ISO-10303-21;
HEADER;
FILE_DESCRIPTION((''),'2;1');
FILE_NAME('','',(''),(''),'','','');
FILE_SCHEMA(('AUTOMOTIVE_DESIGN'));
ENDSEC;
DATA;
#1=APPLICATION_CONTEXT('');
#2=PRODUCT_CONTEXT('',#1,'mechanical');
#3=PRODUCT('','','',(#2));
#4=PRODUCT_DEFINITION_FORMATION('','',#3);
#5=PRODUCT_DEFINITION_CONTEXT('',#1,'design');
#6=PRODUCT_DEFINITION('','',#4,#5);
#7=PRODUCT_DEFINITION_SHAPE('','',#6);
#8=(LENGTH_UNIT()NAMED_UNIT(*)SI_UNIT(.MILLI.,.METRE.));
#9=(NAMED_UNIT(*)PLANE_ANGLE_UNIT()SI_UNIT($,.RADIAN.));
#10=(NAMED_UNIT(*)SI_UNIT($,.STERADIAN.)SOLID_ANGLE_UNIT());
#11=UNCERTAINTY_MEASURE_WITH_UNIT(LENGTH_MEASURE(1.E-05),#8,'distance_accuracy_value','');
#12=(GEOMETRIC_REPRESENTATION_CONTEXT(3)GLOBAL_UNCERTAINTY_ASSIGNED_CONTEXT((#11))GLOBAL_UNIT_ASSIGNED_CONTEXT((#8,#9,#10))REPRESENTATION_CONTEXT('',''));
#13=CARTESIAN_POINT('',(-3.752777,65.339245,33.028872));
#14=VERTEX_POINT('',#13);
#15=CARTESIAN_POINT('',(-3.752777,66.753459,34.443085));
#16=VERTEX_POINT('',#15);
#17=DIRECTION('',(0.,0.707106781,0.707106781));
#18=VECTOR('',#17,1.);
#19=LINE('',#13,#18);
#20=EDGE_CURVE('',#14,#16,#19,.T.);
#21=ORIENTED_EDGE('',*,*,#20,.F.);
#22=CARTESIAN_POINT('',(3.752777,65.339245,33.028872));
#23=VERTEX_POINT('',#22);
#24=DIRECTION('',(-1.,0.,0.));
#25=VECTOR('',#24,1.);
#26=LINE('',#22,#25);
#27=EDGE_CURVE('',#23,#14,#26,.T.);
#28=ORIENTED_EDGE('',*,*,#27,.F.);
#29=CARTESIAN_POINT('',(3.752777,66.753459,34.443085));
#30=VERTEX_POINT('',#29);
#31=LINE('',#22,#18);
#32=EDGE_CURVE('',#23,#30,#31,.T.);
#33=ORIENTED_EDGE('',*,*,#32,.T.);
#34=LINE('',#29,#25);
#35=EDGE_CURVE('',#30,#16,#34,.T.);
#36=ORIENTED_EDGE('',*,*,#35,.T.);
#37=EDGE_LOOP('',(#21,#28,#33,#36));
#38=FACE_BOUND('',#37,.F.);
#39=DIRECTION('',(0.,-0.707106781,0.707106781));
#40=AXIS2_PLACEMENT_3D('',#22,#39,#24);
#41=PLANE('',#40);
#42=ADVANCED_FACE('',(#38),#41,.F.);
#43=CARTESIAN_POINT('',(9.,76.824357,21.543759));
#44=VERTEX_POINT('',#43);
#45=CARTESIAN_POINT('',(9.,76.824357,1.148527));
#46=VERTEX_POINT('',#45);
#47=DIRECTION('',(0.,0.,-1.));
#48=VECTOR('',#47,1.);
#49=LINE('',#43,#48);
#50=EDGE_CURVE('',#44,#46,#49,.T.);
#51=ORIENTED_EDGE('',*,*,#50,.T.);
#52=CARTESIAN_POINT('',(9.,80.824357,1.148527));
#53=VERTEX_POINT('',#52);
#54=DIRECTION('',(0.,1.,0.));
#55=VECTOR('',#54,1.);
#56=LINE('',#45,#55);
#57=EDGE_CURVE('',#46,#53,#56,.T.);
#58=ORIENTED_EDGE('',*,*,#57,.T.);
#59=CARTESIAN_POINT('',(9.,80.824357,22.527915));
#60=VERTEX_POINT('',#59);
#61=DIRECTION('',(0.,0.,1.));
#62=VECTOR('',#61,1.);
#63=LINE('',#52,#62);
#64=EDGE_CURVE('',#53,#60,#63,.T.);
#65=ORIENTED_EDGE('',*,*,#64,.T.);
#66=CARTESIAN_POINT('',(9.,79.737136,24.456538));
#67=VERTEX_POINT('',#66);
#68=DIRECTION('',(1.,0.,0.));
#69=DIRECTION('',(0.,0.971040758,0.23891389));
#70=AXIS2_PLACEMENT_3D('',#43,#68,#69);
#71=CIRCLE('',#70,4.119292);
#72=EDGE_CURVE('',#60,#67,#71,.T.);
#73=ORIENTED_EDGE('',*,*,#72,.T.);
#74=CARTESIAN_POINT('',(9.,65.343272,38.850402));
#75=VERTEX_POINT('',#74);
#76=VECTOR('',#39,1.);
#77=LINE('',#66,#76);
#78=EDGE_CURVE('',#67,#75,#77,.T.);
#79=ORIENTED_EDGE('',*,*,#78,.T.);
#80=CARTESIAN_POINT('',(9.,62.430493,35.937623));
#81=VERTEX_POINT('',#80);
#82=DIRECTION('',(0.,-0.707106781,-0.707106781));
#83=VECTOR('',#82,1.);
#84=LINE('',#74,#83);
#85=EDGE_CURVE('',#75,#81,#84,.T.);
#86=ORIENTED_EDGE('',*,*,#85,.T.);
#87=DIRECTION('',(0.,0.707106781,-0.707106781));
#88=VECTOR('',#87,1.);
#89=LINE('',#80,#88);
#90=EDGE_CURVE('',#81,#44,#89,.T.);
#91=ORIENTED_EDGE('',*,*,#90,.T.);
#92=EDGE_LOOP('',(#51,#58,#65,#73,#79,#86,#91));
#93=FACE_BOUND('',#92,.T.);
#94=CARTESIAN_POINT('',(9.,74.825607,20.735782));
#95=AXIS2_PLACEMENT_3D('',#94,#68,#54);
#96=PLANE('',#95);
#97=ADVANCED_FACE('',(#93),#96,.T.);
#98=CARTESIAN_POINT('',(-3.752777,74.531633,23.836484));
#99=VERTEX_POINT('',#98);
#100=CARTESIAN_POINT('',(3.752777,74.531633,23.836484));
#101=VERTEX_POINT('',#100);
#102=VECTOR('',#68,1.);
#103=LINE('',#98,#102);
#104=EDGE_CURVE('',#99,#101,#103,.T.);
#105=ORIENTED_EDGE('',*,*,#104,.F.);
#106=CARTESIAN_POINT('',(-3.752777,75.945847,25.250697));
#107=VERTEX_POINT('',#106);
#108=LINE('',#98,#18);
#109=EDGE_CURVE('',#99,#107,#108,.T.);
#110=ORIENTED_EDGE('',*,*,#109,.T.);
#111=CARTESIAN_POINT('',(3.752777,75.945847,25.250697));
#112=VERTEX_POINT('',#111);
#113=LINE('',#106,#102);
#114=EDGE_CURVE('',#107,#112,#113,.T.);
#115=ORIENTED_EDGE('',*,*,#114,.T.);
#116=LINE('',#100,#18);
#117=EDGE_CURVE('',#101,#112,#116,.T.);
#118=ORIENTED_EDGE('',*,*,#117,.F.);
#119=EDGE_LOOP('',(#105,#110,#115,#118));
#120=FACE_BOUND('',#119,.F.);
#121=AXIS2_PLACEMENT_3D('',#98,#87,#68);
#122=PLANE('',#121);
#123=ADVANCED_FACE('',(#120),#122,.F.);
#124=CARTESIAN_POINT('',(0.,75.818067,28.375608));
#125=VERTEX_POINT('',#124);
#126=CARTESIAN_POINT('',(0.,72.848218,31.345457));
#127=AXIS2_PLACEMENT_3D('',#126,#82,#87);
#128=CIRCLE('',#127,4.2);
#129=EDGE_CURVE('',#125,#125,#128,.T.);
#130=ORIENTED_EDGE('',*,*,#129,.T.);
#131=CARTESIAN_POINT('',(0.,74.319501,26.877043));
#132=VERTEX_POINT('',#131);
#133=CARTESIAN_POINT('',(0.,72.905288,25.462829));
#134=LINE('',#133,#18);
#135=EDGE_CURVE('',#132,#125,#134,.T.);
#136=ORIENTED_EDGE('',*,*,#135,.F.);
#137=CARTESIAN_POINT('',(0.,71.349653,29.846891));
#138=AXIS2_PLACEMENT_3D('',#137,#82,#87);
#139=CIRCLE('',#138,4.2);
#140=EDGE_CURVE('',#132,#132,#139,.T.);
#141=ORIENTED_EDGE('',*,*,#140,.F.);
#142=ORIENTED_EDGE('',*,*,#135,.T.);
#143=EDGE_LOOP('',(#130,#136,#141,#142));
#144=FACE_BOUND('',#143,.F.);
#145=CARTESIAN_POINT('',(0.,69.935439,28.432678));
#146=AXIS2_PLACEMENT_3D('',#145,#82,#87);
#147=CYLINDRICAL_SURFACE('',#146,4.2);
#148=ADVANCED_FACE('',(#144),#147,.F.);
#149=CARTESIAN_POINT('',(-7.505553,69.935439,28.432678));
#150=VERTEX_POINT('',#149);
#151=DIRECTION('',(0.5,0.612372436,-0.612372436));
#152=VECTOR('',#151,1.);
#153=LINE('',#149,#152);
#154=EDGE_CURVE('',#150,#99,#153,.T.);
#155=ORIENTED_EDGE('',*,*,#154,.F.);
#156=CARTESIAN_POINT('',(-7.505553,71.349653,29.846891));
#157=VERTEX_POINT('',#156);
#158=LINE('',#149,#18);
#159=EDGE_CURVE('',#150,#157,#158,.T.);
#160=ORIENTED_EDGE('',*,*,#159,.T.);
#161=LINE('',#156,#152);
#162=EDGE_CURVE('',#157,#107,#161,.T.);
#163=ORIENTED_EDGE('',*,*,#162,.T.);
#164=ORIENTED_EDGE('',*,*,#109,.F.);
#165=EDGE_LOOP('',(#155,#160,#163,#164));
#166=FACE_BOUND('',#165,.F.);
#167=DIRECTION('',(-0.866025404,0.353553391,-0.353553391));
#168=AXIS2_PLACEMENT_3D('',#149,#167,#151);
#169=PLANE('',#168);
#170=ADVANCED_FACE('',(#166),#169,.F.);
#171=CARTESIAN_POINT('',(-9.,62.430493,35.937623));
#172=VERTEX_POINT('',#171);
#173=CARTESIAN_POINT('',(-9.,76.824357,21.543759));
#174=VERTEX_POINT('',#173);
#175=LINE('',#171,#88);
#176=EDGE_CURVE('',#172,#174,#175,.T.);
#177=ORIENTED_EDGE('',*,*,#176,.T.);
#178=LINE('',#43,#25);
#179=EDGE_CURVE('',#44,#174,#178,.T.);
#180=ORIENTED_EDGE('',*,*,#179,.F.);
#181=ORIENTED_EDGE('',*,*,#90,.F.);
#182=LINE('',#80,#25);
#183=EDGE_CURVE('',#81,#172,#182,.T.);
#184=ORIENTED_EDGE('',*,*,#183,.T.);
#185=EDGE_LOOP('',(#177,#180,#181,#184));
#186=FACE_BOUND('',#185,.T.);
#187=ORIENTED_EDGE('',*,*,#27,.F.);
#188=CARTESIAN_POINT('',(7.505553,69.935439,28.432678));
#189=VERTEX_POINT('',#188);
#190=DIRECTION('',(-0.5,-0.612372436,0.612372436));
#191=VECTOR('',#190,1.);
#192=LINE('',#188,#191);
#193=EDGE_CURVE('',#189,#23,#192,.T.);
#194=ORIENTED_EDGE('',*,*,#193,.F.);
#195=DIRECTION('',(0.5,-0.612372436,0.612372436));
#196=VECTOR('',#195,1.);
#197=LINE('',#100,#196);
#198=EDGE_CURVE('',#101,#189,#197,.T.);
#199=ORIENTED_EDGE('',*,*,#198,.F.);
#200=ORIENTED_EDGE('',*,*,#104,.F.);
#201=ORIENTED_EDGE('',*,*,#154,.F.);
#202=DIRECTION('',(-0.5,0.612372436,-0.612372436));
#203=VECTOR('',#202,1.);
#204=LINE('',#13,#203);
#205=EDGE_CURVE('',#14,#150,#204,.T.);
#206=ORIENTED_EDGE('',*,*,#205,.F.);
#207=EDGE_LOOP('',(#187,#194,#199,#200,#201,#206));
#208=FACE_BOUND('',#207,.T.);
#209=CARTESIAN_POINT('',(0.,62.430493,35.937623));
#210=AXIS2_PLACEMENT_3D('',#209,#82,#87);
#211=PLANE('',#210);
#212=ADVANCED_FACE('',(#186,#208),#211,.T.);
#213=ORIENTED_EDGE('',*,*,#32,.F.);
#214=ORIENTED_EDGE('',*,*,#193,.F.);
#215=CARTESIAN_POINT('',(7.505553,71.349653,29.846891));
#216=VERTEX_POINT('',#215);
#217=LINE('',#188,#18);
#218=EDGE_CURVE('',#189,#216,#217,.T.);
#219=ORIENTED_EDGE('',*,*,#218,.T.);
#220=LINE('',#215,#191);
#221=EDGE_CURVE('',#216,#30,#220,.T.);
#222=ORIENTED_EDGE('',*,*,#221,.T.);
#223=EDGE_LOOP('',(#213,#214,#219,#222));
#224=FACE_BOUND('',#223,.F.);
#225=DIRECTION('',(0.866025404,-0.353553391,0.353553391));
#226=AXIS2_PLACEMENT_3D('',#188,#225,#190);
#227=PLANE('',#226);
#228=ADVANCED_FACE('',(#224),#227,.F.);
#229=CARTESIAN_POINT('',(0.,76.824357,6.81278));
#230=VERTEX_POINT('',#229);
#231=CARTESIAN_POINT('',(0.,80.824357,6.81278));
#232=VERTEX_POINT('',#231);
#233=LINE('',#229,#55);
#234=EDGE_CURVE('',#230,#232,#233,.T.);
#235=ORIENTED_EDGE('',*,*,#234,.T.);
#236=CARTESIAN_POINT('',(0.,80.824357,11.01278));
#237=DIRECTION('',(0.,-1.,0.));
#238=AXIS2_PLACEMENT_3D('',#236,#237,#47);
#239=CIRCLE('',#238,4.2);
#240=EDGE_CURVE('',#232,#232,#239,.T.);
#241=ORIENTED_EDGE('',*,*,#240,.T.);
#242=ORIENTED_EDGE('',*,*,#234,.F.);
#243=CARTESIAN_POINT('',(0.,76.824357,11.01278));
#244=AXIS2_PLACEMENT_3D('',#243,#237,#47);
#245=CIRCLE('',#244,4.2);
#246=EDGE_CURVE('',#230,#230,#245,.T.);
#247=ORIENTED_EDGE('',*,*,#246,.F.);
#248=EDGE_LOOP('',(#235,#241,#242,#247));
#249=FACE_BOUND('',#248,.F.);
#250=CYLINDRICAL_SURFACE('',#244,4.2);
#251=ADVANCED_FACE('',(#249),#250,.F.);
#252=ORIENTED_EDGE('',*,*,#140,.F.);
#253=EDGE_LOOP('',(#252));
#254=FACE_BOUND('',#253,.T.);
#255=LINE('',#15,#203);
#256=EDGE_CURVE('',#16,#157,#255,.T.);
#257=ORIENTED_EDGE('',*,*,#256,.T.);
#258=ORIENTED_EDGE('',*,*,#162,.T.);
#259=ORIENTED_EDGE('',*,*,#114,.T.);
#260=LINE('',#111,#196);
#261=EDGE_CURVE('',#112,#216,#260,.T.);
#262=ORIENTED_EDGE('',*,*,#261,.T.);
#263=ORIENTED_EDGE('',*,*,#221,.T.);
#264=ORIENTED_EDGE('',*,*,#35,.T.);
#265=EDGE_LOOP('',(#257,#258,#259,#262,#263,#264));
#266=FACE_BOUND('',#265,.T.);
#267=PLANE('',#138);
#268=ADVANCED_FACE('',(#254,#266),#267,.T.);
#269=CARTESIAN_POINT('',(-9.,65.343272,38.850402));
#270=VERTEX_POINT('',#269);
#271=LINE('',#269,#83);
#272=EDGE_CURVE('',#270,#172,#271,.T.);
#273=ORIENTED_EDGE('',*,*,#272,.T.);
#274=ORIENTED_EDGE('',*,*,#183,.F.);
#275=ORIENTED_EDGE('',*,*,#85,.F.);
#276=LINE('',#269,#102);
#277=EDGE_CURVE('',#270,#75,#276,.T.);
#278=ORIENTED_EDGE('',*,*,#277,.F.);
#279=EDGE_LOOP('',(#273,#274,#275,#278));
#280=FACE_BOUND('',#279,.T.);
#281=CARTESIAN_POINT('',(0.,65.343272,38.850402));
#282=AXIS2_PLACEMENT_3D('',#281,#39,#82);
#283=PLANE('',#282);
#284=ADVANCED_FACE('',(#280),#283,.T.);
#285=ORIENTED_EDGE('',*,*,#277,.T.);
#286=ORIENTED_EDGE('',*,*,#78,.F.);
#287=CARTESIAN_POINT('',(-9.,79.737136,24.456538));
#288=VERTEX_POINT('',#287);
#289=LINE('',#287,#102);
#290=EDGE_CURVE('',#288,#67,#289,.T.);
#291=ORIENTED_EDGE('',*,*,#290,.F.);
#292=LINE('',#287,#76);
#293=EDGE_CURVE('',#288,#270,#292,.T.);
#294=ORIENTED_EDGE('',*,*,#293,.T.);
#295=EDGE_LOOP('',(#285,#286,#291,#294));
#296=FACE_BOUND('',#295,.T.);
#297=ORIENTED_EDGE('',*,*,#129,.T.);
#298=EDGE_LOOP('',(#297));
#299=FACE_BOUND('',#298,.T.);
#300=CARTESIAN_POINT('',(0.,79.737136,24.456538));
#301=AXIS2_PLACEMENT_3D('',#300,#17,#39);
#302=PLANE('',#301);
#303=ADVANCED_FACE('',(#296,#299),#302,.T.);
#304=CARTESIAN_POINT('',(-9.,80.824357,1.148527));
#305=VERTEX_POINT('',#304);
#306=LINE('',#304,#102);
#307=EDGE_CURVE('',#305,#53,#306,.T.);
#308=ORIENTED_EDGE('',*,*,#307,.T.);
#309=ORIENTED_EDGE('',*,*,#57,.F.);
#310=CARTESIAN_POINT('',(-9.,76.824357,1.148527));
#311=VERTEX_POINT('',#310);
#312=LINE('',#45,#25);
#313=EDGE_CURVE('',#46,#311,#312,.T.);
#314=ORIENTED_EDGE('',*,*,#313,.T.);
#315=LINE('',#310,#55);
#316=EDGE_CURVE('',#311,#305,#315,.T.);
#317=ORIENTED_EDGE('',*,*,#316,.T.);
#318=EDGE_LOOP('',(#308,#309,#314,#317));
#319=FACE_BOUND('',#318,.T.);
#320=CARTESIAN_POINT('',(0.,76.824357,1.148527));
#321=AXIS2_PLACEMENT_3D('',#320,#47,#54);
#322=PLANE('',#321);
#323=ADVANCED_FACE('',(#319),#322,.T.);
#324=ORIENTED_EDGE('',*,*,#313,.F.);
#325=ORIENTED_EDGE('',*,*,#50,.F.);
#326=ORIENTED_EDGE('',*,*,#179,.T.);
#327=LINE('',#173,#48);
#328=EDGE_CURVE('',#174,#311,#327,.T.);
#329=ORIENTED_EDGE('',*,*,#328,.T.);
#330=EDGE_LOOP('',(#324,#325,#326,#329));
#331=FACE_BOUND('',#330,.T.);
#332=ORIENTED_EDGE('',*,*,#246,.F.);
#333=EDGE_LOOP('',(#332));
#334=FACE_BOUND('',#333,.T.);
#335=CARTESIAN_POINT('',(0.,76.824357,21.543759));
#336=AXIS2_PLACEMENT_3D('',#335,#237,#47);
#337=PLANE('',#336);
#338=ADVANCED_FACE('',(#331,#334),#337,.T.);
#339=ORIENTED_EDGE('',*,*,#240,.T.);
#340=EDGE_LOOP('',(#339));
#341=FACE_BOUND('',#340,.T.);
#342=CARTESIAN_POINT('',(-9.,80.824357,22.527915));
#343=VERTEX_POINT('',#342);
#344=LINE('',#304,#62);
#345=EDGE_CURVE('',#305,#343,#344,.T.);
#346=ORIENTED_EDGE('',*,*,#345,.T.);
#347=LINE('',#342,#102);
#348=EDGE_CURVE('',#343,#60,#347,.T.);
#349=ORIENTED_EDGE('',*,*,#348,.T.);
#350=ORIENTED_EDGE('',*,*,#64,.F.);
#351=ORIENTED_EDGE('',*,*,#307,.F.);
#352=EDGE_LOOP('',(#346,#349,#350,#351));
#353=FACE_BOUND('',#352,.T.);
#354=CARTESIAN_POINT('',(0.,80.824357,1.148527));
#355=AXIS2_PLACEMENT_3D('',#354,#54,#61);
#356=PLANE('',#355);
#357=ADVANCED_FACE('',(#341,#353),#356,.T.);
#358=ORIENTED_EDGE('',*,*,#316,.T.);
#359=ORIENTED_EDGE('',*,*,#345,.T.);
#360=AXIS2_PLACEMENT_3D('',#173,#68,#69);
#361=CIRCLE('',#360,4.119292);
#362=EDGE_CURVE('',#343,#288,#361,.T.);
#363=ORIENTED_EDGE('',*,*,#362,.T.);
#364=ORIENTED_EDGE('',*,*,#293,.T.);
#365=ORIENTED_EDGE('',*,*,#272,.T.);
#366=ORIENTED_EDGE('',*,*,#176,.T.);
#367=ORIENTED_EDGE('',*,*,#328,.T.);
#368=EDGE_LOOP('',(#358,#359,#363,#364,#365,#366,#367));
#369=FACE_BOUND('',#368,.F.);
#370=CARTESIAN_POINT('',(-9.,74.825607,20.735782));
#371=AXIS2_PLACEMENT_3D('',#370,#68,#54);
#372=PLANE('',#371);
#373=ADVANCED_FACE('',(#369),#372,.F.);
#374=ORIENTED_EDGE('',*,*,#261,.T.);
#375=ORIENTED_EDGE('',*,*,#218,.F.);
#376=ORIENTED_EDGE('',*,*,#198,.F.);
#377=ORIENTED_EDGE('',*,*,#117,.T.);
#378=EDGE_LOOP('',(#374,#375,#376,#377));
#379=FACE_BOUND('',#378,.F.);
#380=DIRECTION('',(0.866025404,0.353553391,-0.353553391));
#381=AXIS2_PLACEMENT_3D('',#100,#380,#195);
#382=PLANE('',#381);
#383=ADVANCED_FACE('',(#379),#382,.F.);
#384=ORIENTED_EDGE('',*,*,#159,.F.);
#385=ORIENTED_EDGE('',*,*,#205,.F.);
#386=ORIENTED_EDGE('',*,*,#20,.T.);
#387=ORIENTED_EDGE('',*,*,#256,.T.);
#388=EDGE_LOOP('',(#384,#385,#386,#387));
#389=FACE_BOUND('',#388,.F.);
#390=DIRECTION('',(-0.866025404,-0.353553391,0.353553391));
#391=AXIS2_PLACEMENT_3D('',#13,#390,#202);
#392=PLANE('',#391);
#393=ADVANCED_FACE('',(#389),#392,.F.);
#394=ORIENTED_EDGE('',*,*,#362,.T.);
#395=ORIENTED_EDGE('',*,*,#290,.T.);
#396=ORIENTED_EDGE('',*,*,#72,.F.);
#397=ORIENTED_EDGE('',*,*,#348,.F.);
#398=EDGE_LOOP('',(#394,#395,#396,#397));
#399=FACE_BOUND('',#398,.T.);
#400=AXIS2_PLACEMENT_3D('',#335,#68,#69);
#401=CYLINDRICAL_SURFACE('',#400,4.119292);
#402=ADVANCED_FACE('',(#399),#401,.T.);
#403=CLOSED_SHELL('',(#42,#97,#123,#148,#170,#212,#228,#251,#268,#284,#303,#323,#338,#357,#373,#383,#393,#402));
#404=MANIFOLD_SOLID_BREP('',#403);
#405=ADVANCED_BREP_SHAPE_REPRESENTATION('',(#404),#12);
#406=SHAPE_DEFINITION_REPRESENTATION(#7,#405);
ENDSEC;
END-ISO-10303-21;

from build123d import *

# Parameters (mm, degrees)
PAD014_DEPTH    = 9
SKETCH027_R     = 4.2
POCKET006_DEPTH = 5
SKETCH029_R     = 4.2
POCKET007_DEPTH = 5
POCKET008_DEPTH = 2


with BuildPart() as part:
    # Sketch026 → Pad014 (new body, symmetric)
    with BuildSketch(Plane.YZ):
        with BuildLine():
            Line((76.8243574995, 1.148527), (80.8243574995, 1.148527))
            Line((80.8243574995, 1.148527), (80.8243574995, 22.527915258))
            ThreePointArc((80.8243574995, 22.527915258), (80.4127450289, 23.566637908), (79.7371364968, 24.4565382849))
            Line((79.7371364968, 24.4565382849), (65.343272443, 38.8504023386))
            Line((65.343272443, 38.8504023386), (62.4304934457, 35.9376233413))
            Line((62.4304934457, 35.9376233413), (76.8243574995, 21.5437592876))
            Line((76.8243574995, 21.5437592876), (76.8243574995, 1.148527))
        make_face()
    extrude(amount=PAD014_DEPTH, both=True)

    # Sketch027 (on Face7 of Pad014) → Pocket006 (cut)
    with BuildSketch(Plane(origin=(0, 76.8243574995, 0), x_dir=(0, 0, -1), z_dir=(0, -1, 0))):
        with Locations((-11.01278, 0)):
            Circle(SKETCH027_R)
    extrude(amount=-POCKET006_DEPTH, mode=Mode.SUBTRACT)

    # Sketch029 (on Face6 of Pocket006) → Pocket007 (cut)
    with BuildSketch(Plane(origin=(0, 49.1840583935, 49.1840583935), x_dir=(0, 0.7071067812, -0.7071067812), z_dir=(0, -0.7071067812, -0.7071067812))):
        with Locations((29.346884, 0)):
            Circle(SKETCH029_R)
    extrude(amount=-POCKET007_DEPTH, mode=Mode.SUBTRACT)

    # Sketch030 (on Face6 of Pocket007) → Pocket008 (cut)
    with BuildSketch(Plane(origin=(0, 49.1840583935, 49.1840583935), x_dir=(0, 0.7071067812, -0.7071067812), z_dir=(0, -0.7071067812, -0.7071067812))):
        Polygon((22.846884, 3.7527767497), (22.846884, -3.7527767497), (29.346884, -7.5055534995), (35.846884, -3.7527767497), (35.846884, 3.7527767497), (29.346884, 7.5055534995), align=None)
    extrude(amount=-POCKET008_DEPTH, mode=Mode.SUBTRACT)


solid = part.part
